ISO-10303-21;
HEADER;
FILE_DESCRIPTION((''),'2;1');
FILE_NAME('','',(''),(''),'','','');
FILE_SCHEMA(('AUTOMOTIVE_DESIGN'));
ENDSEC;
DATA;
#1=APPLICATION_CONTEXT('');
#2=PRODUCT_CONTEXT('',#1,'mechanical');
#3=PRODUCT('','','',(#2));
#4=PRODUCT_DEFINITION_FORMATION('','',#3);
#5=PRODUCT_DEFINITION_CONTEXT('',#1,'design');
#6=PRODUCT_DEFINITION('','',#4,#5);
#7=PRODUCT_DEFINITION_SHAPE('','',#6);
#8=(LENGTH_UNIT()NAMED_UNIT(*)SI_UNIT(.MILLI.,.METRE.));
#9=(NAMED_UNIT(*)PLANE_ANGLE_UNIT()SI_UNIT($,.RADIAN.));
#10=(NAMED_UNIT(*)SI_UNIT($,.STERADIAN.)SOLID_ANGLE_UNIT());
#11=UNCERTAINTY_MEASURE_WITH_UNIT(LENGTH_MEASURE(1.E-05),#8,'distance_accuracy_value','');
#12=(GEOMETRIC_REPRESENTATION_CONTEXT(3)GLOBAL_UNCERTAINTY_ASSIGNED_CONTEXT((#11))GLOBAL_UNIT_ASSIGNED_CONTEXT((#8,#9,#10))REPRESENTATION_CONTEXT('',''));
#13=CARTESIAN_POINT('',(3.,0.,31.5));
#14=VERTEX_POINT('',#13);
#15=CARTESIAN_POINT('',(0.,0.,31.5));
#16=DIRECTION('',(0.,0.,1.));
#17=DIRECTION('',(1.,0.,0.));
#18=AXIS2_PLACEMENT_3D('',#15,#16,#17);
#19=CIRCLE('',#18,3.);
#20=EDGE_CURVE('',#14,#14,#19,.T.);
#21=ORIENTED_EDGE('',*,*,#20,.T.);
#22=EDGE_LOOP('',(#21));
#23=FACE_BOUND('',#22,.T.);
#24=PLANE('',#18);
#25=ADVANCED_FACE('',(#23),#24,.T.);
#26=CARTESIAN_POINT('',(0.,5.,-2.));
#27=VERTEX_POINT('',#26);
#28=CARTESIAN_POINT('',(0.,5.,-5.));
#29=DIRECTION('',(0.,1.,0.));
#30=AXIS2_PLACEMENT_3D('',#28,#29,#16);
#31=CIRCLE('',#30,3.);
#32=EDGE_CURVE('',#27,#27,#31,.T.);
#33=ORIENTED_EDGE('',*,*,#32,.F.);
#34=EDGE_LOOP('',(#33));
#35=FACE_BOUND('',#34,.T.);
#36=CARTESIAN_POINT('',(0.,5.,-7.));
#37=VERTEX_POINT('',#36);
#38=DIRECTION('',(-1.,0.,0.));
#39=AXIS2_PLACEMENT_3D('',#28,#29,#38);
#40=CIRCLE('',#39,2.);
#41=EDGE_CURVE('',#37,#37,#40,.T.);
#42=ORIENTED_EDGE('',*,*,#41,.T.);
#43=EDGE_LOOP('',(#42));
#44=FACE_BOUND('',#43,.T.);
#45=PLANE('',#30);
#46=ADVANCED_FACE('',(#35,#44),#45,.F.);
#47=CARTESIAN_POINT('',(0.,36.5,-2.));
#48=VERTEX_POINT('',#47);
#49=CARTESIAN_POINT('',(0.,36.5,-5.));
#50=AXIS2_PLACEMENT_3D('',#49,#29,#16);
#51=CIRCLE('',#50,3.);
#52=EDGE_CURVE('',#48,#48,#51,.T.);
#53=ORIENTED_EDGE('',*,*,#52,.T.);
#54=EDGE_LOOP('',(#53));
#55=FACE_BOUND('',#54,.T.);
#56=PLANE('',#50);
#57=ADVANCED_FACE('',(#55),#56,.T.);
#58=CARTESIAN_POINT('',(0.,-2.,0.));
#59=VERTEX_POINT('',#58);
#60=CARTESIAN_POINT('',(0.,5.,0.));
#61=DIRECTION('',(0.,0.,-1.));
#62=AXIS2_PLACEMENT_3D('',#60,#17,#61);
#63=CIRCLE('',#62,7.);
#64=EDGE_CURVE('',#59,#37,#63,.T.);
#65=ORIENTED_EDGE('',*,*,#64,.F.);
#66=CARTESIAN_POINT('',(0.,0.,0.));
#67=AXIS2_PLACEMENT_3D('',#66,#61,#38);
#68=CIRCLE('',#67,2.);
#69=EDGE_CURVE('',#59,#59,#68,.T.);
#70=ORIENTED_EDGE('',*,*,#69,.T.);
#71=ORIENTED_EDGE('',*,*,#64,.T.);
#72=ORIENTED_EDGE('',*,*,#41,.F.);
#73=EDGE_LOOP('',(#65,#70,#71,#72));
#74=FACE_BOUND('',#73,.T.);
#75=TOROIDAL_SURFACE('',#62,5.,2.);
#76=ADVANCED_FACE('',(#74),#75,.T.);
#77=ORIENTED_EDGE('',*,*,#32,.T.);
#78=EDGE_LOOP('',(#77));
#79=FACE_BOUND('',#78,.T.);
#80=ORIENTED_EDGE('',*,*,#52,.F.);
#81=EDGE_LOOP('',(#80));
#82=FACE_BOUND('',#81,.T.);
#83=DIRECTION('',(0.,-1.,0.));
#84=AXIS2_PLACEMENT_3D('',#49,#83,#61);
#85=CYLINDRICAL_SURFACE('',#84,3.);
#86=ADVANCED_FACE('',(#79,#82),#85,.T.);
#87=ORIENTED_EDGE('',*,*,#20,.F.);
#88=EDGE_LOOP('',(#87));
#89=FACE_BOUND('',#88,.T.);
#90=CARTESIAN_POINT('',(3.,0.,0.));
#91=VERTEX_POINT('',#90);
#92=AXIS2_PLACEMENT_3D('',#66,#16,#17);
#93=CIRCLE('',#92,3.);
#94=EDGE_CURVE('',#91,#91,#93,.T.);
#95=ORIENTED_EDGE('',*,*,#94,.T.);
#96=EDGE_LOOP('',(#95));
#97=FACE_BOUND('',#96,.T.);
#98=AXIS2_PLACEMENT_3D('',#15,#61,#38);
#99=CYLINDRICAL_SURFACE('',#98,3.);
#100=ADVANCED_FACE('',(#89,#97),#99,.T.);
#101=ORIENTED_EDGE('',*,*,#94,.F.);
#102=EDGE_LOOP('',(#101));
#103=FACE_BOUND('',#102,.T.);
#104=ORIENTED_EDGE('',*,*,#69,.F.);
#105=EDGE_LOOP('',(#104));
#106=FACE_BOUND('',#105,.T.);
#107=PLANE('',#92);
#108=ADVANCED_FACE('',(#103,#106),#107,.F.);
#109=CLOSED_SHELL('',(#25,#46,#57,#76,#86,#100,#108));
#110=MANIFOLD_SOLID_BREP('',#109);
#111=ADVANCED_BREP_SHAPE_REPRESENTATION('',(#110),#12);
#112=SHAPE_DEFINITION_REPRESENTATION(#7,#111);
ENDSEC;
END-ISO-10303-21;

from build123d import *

# Parameters (mm, degrees)
SKETCH1_R           = 3
BOSS_EXTRUDE1_DEPTH = 31.5
SKETCH4_R           = 2
SKETCH9_R           = 3
BOSS_EXTRUDE2_DEPTH = 31.5


with BuildPart() as part:
    # Sketch1 → Boss-Extrude1 (new body)
    with BuildSketch(Plane.XY):
        Circle(SKETCH1_R)
    extrude(amount=BOSS_EXTRUDE1_DEPTH)

    # Sweep1: sweep along a path in Sketch5
    with BuildLine(Plane(origin=(0, 0, 0), x_dir=(0, 0, -1), z_dir=(1, 0, 0))) as sweep1_path:
        ThreePointArc((0, 0), (3.535533906, 1.464466094), (5, 5))
    # Sketch4 → Sweep1 (sweep)
    with BuildSketch(Plane(origin=(0, 0, 0), x_dir=(-1, 0, 0), z_dir=(0, 0, -1))):
        Circle(SKETCH4_R)
    sweep(path=sweep1_path.line)

    # Sketch9 → Boss-Extrude2 (add)
    with BuildSketch(Plane(origin=(0, 5, 0), x_dir=(1, 0, 0), z_dir=(0, 1, 0))):
        with Locations(Location((0, 5, 0), (0, 0, 270))):
            Circle(SKETCH9_R)
    extrude(amount=BOSS_EXTRUDE2_DEPTH)


solid = part.part
